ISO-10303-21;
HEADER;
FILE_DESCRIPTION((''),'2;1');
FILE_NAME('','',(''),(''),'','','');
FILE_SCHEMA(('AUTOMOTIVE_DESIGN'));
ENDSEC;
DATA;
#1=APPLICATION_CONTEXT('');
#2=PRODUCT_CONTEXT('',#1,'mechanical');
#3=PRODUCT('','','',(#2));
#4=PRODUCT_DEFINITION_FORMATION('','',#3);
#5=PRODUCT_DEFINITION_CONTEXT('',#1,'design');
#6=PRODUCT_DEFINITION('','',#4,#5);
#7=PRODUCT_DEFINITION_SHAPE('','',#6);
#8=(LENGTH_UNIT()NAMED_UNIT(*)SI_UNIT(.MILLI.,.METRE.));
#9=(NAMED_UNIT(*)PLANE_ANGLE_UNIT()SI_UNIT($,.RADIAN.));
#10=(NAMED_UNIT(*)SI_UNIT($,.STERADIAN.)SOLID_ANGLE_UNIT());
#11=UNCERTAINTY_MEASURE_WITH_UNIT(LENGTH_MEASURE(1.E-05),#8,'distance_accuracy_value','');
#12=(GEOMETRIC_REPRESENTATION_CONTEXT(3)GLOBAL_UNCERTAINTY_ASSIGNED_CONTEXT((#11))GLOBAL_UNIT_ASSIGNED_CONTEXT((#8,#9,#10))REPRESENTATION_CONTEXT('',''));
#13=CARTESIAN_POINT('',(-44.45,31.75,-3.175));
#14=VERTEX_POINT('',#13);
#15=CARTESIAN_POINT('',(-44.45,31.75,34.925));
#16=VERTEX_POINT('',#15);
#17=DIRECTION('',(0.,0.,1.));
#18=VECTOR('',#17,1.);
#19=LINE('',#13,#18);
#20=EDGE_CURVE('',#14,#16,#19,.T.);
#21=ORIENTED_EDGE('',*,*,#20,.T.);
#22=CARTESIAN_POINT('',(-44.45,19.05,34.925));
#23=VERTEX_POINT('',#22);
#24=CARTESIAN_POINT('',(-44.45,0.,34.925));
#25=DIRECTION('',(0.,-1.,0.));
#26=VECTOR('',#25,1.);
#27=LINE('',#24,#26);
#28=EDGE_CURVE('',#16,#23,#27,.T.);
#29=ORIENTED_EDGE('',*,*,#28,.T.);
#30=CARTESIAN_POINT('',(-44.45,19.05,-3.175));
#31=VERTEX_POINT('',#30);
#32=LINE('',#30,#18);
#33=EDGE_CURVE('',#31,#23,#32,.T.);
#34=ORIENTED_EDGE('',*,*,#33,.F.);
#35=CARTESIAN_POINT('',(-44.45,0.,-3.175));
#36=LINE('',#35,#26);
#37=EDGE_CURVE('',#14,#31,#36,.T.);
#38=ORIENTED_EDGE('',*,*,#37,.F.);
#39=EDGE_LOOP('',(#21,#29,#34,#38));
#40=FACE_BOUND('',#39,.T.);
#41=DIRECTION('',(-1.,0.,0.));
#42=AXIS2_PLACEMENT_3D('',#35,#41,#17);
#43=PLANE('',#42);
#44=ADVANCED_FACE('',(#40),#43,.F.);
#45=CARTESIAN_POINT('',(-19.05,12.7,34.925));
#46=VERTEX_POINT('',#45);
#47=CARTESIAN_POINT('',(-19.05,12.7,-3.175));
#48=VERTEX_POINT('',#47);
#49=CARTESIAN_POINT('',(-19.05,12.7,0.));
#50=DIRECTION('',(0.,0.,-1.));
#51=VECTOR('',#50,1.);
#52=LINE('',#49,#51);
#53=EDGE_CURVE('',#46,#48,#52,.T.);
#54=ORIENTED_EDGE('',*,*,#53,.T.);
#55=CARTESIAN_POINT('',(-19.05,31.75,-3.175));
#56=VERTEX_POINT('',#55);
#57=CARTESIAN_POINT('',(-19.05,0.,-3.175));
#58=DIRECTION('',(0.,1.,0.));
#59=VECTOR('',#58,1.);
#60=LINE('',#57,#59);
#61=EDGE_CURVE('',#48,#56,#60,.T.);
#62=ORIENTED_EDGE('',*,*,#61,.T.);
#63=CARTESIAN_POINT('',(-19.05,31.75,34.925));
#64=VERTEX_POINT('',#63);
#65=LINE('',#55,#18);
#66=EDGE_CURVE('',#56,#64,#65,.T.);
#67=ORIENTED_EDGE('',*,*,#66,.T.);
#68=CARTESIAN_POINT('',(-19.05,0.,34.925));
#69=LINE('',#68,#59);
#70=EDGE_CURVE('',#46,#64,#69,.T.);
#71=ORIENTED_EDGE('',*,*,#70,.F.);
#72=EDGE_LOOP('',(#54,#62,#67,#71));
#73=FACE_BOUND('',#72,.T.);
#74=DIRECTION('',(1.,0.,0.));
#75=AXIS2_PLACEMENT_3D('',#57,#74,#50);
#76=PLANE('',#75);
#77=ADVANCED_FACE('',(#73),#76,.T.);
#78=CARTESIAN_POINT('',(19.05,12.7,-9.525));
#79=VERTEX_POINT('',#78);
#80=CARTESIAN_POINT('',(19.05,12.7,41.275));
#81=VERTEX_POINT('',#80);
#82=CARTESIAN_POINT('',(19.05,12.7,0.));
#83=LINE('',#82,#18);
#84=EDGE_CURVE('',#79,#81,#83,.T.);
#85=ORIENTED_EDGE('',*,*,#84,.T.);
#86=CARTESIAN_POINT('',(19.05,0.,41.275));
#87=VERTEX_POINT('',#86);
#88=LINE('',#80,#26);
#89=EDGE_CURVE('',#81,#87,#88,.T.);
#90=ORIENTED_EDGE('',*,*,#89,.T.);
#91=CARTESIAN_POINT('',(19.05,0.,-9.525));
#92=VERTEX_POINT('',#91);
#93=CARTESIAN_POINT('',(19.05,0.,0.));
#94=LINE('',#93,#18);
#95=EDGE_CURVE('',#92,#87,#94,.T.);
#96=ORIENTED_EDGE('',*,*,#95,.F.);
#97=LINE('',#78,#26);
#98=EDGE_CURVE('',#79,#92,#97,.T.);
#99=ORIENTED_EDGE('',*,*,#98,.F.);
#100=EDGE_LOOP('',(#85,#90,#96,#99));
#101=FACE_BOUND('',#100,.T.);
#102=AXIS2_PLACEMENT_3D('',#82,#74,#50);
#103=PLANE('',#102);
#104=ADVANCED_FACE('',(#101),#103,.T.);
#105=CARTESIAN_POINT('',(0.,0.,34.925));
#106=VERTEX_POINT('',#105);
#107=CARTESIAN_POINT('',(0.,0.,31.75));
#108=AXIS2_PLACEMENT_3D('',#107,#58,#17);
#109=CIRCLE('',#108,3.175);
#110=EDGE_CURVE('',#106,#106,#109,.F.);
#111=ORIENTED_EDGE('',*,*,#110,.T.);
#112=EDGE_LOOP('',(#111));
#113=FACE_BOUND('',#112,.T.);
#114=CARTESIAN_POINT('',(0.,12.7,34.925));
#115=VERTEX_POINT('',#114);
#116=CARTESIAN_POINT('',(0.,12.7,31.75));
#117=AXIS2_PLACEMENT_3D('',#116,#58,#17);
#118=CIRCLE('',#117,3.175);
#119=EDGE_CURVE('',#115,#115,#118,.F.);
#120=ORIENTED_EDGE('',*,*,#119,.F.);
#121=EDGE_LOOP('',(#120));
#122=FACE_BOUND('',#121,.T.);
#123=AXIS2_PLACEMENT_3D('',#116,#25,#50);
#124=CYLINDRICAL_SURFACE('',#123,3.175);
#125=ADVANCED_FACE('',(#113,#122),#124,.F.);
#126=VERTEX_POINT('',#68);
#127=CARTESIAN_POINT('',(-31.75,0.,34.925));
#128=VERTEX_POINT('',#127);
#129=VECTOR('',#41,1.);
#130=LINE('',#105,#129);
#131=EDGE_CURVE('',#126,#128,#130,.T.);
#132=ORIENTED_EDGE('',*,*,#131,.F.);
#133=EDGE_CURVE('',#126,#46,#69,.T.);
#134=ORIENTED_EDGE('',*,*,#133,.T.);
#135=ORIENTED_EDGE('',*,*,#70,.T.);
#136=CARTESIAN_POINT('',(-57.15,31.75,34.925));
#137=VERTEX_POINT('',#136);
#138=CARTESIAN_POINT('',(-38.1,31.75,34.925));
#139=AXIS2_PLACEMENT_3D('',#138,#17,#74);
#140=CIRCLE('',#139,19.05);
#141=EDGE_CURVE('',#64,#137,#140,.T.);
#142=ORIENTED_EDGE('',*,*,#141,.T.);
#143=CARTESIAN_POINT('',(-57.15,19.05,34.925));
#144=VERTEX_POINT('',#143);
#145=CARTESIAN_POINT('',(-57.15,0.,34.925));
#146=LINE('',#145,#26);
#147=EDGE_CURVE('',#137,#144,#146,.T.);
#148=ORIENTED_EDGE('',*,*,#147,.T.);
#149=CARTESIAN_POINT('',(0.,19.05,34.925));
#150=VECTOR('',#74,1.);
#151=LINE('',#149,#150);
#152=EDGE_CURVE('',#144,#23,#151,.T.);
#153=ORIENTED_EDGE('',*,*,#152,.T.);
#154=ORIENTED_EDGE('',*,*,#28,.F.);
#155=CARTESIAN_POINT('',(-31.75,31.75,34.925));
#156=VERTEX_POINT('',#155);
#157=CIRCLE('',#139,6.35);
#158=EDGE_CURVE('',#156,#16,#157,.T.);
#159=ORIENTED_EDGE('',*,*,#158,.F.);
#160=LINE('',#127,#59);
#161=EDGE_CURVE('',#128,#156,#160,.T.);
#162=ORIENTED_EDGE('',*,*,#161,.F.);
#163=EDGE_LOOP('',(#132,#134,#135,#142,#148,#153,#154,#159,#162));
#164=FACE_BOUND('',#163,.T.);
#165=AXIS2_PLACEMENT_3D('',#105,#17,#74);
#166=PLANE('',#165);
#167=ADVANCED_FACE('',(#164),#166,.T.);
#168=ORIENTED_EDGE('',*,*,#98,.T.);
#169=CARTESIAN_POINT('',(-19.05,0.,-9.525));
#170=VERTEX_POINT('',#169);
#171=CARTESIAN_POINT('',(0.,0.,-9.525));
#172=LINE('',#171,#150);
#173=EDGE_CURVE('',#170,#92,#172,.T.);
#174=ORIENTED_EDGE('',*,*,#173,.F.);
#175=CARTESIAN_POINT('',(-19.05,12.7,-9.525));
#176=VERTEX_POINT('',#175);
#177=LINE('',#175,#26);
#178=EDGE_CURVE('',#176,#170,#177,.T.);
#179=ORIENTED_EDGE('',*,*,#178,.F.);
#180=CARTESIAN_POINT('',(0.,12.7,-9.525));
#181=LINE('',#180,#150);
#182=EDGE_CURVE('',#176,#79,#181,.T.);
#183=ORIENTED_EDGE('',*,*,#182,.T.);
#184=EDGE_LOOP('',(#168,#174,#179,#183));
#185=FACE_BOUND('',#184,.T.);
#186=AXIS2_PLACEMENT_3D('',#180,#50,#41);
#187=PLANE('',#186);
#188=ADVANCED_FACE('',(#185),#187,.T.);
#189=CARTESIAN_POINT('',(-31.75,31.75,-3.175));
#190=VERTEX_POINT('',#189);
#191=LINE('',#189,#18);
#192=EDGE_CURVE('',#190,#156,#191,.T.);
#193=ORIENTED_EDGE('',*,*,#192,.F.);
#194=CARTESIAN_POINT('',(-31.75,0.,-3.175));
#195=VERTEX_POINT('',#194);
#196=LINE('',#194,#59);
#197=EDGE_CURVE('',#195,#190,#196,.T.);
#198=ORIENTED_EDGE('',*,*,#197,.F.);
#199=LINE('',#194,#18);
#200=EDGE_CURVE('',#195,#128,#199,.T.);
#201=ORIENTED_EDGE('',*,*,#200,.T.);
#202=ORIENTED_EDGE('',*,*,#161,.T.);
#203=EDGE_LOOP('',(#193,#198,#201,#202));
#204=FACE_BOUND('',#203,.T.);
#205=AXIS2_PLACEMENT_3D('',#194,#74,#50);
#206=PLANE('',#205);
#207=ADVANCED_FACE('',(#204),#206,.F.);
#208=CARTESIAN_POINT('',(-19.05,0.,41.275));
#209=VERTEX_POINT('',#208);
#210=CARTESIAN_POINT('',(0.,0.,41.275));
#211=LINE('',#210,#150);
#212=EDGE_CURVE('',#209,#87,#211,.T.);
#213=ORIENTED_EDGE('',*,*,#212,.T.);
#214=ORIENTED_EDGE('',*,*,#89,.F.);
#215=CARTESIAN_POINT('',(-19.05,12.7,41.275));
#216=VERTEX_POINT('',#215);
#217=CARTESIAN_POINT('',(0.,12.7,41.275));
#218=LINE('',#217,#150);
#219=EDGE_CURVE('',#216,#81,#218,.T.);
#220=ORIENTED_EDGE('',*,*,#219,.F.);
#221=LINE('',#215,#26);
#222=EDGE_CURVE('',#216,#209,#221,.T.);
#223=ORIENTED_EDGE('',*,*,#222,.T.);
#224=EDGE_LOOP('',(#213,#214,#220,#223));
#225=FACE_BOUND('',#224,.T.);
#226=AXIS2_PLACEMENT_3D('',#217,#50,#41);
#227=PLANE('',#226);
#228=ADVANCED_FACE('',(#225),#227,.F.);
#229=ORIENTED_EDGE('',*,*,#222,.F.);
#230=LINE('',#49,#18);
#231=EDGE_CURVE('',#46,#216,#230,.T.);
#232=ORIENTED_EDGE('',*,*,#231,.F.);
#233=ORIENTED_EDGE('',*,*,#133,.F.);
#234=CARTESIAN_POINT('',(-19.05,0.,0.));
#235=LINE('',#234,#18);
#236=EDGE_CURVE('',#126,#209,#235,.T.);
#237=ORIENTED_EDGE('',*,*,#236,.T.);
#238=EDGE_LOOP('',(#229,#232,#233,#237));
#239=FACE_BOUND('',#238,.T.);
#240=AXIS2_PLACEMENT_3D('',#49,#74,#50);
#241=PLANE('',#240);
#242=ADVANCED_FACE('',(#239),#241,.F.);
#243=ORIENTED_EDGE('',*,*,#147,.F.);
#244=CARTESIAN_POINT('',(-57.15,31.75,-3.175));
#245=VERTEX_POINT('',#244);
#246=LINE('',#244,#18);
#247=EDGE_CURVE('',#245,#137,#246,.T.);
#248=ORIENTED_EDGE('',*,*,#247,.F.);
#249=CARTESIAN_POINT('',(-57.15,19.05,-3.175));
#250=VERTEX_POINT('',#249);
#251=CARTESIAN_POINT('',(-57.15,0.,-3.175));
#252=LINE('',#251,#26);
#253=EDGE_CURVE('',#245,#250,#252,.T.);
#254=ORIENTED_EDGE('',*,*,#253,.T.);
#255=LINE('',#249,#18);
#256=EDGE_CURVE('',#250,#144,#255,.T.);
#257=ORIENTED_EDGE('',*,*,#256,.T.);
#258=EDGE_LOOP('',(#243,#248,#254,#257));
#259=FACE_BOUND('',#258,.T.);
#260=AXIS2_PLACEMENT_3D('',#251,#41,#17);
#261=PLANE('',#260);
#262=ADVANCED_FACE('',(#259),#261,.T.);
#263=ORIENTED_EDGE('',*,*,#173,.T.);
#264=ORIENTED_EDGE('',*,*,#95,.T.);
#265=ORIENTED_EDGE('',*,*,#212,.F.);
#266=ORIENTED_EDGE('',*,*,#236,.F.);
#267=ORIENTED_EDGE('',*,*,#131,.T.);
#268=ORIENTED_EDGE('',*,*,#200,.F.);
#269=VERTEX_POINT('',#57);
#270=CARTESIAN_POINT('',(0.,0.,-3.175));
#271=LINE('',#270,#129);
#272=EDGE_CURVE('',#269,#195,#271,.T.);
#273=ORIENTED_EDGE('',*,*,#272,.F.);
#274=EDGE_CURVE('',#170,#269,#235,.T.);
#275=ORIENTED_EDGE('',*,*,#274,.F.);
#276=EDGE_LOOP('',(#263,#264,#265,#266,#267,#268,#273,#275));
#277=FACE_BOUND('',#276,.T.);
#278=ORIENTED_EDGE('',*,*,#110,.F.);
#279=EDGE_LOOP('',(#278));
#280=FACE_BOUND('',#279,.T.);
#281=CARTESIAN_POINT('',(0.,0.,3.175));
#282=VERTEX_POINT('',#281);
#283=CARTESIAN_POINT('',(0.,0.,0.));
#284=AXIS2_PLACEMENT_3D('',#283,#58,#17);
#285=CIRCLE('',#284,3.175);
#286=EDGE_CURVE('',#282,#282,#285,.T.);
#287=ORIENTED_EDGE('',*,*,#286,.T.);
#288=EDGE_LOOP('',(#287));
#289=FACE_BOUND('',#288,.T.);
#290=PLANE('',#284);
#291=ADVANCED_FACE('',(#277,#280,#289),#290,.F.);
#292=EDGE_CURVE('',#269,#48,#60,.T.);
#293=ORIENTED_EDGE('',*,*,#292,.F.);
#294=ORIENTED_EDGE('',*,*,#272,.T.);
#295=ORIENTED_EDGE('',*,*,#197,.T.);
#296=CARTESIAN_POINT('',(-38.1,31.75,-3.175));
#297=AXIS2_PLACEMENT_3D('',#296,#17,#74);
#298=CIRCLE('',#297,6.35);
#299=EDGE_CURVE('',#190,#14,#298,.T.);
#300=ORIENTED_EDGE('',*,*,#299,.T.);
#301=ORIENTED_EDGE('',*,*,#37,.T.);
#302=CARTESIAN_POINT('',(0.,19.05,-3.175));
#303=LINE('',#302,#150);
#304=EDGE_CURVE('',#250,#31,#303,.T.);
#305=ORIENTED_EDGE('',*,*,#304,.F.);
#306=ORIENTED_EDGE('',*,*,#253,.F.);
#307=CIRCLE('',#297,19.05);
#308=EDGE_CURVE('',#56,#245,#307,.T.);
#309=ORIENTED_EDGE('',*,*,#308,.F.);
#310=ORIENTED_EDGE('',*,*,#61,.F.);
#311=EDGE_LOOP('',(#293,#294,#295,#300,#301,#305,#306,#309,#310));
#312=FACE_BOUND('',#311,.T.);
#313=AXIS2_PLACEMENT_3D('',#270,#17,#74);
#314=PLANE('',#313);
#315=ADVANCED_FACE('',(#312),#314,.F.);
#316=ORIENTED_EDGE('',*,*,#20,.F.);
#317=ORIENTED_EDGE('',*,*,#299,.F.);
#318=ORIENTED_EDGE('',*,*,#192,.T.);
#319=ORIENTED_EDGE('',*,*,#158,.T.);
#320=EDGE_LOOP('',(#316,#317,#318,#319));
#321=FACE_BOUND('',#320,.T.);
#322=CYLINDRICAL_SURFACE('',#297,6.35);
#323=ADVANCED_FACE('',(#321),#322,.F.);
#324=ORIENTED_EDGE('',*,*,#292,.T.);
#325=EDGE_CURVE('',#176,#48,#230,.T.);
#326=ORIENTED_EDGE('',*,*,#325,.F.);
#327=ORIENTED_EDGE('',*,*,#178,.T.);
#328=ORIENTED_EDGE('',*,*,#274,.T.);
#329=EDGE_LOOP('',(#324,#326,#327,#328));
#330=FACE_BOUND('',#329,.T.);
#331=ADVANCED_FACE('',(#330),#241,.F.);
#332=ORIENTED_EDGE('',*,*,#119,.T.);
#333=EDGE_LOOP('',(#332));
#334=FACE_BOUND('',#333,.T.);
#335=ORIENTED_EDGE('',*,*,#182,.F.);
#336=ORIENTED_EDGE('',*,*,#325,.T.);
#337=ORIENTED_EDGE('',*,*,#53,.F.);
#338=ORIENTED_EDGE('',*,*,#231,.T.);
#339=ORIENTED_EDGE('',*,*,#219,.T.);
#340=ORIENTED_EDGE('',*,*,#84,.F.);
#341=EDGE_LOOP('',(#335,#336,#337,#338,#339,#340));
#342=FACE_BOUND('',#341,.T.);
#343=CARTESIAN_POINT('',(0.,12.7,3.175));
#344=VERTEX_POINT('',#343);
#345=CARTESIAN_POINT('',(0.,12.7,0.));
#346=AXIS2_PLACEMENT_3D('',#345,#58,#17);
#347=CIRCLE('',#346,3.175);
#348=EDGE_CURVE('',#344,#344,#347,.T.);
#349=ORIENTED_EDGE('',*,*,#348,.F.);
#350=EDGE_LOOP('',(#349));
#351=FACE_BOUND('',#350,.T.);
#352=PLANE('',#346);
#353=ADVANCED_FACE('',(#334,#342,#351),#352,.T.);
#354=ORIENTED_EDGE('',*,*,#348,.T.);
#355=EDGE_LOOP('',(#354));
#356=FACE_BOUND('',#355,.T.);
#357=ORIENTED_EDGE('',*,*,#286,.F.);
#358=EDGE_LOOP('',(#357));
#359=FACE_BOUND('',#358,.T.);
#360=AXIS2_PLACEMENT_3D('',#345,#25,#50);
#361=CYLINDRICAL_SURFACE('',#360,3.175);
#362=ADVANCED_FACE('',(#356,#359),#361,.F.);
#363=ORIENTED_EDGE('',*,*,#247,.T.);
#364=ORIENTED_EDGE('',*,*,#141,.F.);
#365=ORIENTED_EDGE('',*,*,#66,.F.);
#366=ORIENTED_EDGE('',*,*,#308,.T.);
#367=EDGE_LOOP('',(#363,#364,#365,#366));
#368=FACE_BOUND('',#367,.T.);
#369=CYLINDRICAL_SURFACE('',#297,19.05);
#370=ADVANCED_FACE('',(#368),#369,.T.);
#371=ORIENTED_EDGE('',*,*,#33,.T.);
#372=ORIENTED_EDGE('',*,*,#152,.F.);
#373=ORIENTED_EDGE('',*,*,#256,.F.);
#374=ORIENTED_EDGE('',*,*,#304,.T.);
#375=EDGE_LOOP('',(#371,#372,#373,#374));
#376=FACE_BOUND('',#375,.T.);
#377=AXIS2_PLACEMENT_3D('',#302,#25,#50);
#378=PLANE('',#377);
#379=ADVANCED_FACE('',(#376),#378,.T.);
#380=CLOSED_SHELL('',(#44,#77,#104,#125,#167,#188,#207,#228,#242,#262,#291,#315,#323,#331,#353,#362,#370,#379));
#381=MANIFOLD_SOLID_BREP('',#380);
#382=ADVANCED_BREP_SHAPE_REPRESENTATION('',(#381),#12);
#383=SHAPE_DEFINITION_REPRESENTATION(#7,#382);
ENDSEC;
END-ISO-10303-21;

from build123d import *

# Parameters (mm, degrees)
SKETCH1_W           = 38.1
SKETCH1_H           = 19.05
SKETCH1_R           = 3.175
SKETCH1_H_2         = 12.7
BOSS_EXTRUDE2_DEPTH = 12.7
SKETCH3_W           = 12.7
SKETCH3_H           = 31.75
SKETCH3_H_2         = 12.7
BOSS_EXTRUDE3_DEPTH = 38.1


with BuildPart() as part:
    # Sketch1 → Boss-Extrude2 (new body)
    # profile 1 of 3: a face of its own
    with BuildSketch(Plane(origin=(0, 0, 0), x_dir=(1, 0, 0), z_dir=(0, 1, 0))):
        Rectangle(SKETCH1_W, SKETCH1_H)
        with Locations(Location((0, 0, 0), (0, 0, 270))):
            Circle(SKETCH1_R, mode=Mode.SUBTRACT)
    # profile 2 of 3: a face of its own
    with BuildSketch(Plane(origin=(0, 0, 0), x_dir=(1, 0, 0), z_dir=(0, 1, 0))):
        with Locations((0, -15.875)):
            Rectangle(SKETCH1_W, SKETCH1_H_2)
    # profile 3 of 3: a face of its own
    with BuildSketch(Plane(origin=(0, 0, 0), x_dir=(1, 0, 0), z_dir=(0, 1, 0))):
        with Locations((0, -31.75)):
            Rectangle(SKETCH1_W, SKETCH1_H)
        with Locations(Location((0, -31.75, 0), (0, 0, 270))):
            Circle(SKETCH1_R, mode=Mode.SUBTRACT)
    extrude(amount=BOSS_EXTRUDE2_DEPTH)

    # Sketch3 → Boss-Extrude3 (add)
    with BuildSketch(Plane.XY.offset(34.925)):
        with BuildLine():
            ThreePointArc((-31.75, 31.75), (-38.1, 38.1), (-44.45, 31.75))
            Line((-44.45, 31.75), (-57.15, 31.75))
            ThreePointArc((-57.15, 31.75), (-38.1, 50.8), (-19.05, 31.75))
            Line((-19.05, 31.75), (-31.75, 31.75))
        make_face()
        with Locations((-25.4, 15.875)):
            Rectangle(SKETCH3_W, SKETCH3_H)
        with Locations((-50.8, 25.4)):
            Rectangle(SKETCH3_W, SKETCH3_H_2)
    extrude(amount=-BOSS_EXTRUDE3_DEPTH)


solid = part.part
